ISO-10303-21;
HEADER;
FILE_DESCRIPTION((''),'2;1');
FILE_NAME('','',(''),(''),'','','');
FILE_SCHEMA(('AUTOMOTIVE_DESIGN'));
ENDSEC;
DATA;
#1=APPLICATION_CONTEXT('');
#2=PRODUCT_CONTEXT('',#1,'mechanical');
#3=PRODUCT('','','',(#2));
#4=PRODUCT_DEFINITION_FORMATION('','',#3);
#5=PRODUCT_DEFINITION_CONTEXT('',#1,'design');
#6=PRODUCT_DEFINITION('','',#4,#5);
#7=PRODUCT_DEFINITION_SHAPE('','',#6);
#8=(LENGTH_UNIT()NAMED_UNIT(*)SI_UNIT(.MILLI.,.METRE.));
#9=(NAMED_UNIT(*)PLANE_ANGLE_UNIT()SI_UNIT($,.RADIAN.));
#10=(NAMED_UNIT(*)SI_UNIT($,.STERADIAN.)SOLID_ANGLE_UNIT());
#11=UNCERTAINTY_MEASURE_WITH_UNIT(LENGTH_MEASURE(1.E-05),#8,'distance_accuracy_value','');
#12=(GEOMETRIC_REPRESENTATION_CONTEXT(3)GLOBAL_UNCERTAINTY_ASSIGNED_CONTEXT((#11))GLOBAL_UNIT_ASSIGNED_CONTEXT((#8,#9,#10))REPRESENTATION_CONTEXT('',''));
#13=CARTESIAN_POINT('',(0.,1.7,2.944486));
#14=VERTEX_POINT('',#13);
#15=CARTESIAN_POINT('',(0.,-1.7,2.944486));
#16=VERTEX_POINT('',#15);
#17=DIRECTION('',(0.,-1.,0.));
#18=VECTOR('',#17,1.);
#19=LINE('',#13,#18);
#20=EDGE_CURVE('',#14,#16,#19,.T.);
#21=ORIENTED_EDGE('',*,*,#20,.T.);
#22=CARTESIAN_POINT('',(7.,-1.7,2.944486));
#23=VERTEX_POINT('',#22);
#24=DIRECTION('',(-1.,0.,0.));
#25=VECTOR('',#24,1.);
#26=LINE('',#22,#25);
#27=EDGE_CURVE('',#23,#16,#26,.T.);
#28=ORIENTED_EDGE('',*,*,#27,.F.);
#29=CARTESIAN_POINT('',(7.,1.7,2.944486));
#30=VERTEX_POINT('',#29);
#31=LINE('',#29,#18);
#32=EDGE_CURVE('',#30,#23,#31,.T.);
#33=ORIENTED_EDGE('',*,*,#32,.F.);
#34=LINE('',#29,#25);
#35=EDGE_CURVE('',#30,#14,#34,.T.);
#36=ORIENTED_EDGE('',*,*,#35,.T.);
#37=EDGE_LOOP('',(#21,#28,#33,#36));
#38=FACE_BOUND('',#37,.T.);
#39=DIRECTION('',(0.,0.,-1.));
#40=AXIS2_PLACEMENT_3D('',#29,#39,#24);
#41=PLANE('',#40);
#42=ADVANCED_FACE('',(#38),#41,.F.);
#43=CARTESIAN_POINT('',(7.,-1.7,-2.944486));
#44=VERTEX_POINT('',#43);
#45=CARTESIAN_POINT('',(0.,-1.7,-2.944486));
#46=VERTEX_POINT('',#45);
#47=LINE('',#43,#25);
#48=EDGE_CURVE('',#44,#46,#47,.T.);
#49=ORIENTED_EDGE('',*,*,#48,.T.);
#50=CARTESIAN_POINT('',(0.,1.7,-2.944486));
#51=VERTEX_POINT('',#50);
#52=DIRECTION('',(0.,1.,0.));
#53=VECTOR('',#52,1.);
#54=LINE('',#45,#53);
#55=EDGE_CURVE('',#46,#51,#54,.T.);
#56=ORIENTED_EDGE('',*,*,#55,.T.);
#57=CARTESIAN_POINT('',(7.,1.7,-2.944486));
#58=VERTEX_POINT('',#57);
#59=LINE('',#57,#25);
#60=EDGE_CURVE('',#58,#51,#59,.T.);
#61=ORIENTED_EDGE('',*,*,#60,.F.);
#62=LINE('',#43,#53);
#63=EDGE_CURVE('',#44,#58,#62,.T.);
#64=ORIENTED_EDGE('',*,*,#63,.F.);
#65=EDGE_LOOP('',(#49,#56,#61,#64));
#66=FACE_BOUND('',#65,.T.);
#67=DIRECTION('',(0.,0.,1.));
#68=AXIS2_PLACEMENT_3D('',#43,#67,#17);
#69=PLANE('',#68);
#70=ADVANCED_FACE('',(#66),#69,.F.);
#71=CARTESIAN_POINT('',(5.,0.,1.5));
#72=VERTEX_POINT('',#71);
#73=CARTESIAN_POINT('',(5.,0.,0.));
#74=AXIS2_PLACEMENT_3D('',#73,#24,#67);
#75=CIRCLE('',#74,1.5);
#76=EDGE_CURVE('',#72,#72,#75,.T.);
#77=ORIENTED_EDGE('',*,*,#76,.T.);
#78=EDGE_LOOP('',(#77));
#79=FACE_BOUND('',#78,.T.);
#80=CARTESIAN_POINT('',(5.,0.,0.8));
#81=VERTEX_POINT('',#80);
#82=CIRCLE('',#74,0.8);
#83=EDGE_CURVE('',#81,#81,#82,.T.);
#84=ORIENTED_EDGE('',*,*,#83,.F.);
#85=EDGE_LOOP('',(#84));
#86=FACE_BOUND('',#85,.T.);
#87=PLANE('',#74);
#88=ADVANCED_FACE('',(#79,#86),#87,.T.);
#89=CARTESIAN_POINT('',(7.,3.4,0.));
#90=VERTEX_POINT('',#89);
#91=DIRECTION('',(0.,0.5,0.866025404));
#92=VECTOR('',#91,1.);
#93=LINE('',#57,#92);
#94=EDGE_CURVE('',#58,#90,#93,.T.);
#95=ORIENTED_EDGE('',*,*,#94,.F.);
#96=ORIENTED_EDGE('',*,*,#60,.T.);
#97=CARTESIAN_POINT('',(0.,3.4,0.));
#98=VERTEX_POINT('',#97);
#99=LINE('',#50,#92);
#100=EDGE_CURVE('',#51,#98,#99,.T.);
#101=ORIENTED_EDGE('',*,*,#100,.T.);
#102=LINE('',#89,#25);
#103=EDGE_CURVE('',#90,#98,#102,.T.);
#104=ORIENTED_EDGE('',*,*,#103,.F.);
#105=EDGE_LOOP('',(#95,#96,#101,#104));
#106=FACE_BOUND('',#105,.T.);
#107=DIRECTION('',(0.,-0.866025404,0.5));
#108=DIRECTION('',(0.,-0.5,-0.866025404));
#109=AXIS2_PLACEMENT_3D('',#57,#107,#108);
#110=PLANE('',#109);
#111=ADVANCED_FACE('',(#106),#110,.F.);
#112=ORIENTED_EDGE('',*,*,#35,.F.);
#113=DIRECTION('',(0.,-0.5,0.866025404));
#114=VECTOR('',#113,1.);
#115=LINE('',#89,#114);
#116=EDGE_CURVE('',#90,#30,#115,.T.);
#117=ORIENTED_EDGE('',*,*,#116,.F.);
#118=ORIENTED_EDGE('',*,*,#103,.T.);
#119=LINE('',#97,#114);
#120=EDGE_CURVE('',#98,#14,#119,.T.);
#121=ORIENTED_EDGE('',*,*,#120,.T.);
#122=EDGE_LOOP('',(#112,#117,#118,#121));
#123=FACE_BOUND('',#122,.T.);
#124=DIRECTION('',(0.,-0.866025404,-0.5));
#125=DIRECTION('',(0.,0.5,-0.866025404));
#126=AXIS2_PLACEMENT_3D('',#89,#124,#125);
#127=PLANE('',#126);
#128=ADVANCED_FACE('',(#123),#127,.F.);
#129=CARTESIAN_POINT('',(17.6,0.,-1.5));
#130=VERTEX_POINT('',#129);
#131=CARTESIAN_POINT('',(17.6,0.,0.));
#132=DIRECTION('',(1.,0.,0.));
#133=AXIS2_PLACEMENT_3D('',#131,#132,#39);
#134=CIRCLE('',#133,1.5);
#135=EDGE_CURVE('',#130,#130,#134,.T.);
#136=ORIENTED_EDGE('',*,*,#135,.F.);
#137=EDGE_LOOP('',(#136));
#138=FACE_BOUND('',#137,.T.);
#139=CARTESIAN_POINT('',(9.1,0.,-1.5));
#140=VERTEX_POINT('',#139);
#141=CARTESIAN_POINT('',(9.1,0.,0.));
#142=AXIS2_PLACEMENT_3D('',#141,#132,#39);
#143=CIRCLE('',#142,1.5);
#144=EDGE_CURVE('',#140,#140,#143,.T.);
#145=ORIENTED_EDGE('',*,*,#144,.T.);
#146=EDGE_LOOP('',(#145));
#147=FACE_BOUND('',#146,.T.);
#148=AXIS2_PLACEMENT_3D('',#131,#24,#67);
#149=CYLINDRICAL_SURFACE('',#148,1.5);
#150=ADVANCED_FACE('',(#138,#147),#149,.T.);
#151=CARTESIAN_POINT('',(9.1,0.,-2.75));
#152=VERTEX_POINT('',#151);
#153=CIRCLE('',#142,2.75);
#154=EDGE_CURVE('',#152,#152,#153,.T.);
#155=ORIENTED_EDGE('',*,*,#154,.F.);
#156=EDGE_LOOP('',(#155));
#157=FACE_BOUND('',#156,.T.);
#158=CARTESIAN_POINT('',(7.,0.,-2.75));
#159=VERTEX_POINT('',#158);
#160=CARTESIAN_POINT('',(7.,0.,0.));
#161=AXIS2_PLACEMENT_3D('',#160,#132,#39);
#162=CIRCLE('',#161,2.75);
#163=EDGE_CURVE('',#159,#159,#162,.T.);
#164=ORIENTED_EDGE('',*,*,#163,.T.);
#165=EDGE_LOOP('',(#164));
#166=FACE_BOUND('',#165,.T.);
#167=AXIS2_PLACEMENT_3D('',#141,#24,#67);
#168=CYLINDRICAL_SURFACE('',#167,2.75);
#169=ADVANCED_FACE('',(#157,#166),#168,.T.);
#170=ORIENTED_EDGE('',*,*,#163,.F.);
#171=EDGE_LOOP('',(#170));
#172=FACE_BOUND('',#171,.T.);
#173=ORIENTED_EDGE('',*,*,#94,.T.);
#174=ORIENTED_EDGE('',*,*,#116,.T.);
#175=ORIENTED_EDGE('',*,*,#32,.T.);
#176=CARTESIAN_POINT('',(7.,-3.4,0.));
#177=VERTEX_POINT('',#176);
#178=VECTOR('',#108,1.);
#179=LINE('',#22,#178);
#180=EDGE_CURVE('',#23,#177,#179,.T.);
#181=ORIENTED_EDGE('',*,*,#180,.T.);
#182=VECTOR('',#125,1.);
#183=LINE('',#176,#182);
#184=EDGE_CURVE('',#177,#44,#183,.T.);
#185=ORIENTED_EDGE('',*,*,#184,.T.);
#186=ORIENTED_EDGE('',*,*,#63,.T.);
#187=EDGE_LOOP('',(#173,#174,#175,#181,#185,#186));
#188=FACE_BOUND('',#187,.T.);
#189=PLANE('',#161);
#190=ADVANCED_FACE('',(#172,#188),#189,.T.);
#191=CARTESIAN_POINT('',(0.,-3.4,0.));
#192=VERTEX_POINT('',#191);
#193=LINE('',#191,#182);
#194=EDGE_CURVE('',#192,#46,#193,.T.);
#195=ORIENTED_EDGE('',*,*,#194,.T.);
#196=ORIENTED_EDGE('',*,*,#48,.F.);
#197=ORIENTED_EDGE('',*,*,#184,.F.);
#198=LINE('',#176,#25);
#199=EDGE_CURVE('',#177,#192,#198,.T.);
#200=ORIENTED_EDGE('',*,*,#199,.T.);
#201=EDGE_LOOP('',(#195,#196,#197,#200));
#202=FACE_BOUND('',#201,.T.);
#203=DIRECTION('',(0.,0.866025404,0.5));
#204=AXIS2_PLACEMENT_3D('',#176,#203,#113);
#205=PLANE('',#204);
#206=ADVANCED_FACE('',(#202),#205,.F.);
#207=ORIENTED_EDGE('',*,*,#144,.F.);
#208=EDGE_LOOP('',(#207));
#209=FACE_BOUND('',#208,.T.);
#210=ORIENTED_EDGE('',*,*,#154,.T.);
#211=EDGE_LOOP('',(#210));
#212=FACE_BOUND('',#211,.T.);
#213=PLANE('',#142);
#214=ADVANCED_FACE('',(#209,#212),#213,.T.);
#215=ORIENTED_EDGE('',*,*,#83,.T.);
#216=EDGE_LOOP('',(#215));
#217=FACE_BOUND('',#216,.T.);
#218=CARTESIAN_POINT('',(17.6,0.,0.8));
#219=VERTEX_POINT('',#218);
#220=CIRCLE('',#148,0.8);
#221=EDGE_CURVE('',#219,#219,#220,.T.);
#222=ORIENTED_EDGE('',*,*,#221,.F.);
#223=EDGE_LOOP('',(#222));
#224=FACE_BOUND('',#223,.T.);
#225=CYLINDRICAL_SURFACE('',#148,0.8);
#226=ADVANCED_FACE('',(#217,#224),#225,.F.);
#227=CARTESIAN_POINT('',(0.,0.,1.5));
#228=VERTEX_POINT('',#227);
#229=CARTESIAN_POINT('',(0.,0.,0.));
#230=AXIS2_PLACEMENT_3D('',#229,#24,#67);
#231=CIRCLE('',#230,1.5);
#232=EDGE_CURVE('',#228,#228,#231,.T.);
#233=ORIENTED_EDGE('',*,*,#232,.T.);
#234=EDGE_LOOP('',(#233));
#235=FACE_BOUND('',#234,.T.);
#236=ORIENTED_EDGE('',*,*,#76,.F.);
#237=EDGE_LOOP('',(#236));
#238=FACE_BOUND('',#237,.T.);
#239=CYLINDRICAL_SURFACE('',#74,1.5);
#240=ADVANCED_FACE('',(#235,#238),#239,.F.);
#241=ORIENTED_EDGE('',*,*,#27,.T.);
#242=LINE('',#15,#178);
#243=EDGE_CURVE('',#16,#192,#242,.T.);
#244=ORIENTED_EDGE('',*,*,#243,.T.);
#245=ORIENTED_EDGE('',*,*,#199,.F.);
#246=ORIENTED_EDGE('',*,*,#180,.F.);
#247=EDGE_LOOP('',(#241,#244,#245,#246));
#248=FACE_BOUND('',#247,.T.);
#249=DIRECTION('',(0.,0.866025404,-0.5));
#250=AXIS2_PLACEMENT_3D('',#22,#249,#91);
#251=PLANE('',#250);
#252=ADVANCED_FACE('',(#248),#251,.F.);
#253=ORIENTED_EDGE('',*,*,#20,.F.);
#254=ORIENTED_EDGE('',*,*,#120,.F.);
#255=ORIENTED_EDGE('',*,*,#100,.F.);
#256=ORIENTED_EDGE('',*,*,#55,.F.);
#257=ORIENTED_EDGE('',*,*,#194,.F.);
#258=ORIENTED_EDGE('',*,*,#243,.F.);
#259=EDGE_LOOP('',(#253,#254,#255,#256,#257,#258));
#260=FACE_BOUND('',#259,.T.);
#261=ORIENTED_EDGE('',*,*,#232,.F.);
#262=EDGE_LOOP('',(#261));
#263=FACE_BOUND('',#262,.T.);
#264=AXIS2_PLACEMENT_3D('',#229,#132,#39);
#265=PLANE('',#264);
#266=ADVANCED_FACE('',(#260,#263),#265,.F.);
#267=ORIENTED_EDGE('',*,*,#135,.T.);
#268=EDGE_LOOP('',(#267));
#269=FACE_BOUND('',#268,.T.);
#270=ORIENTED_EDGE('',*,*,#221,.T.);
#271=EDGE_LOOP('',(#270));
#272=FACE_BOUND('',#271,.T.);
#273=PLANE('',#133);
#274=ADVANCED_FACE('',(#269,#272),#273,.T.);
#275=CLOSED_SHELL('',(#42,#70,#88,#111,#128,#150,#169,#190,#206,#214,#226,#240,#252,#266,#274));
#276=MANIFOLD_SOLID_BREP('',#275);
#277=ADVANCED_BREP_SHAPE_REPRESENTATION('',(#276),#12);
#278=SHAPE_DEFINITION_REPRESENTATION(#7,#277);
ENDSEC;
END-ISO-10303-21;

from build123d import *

# Parameters (mm, degrees)
BOSS_EXTRUDE1_DEPTH = 7
SKETCH2_R           = 2.75
BOSS_EXTRUDE2_DEPTH = 2.1
SKETCH3_R           = 1.5
BOSS_EXTRUDE3_DEPTH = 8.5
SKETCH4_R           = 1.5
CUT_EXTRUDE1_DEPTH  = 5
SKETCH5_R           = 0.8
CUT_EXTRUDE2_DEPTH  = 14.378714437


with BuildPart() as part:
    # Sketch1 → Boss-Extrude1 (new body)
    with BuildSketch(Plane.YZ):
        Polygon((3.4, 0), (1.7, 2.944486373), (-1.7, 2.944486373), (-3.4, 0), (-1.7, -2.944486373), (1.7, -2.944486373), align=None)
    extrude(amount=BOSS_EXTRUDE1_DEPTH)

    # Sketch2 → Boss-Extrude2 (add)
    with BuildSketch(Plane.YZ.offset(7)):
        with Locations(Location((0, 0, 0), (0, 0, 270))):
            Circle(SKETCH2_R)
    extrude(amount=BOSS_EXTRUDE2_DEPTH)

    # Sketch3 → Boss-Extrude3 (add)
    with BuildSketch(Plane.YZ.offset(9.1)):
        with Locations(Location((0, 0, 0), (0, 0, 270))):
            Circle(SKETCH3_R)
    extrude(amount=BOSS_EXTRUDE3_DEPTH)

    # Sketch4 → Cut-Extrude1 (cut)
    with BuildSketch(Plane(origin=(0, 0, 0), x_dir=(0, -1, 0), z_dir=(-1, 0, 0))):
        with Locations(Location((0, 0, 0), (0, 0, 270))):
            Circle(SKETCH4_R)
    extrude(amount=-CUT_EXTRUDE1_DEPTH, mode=Mode.SUBTRACT)

    # Sketch5 → Cut-Extrude2 (cut, through all)
    with BuildSketch(Plane(origin=(5, 0, 0), x_dir=(0, -1, 0), z_dir=(-1, 0, 0))):
        with Locations(Location((0, 0, 0), (0, 0, 90))):
            Circle(SKETCH5_R)
    extrude(amount=-CUT_EXTRUDE2_DEPTH, mode=Mode.SUBTRACT)


solid = part.part
